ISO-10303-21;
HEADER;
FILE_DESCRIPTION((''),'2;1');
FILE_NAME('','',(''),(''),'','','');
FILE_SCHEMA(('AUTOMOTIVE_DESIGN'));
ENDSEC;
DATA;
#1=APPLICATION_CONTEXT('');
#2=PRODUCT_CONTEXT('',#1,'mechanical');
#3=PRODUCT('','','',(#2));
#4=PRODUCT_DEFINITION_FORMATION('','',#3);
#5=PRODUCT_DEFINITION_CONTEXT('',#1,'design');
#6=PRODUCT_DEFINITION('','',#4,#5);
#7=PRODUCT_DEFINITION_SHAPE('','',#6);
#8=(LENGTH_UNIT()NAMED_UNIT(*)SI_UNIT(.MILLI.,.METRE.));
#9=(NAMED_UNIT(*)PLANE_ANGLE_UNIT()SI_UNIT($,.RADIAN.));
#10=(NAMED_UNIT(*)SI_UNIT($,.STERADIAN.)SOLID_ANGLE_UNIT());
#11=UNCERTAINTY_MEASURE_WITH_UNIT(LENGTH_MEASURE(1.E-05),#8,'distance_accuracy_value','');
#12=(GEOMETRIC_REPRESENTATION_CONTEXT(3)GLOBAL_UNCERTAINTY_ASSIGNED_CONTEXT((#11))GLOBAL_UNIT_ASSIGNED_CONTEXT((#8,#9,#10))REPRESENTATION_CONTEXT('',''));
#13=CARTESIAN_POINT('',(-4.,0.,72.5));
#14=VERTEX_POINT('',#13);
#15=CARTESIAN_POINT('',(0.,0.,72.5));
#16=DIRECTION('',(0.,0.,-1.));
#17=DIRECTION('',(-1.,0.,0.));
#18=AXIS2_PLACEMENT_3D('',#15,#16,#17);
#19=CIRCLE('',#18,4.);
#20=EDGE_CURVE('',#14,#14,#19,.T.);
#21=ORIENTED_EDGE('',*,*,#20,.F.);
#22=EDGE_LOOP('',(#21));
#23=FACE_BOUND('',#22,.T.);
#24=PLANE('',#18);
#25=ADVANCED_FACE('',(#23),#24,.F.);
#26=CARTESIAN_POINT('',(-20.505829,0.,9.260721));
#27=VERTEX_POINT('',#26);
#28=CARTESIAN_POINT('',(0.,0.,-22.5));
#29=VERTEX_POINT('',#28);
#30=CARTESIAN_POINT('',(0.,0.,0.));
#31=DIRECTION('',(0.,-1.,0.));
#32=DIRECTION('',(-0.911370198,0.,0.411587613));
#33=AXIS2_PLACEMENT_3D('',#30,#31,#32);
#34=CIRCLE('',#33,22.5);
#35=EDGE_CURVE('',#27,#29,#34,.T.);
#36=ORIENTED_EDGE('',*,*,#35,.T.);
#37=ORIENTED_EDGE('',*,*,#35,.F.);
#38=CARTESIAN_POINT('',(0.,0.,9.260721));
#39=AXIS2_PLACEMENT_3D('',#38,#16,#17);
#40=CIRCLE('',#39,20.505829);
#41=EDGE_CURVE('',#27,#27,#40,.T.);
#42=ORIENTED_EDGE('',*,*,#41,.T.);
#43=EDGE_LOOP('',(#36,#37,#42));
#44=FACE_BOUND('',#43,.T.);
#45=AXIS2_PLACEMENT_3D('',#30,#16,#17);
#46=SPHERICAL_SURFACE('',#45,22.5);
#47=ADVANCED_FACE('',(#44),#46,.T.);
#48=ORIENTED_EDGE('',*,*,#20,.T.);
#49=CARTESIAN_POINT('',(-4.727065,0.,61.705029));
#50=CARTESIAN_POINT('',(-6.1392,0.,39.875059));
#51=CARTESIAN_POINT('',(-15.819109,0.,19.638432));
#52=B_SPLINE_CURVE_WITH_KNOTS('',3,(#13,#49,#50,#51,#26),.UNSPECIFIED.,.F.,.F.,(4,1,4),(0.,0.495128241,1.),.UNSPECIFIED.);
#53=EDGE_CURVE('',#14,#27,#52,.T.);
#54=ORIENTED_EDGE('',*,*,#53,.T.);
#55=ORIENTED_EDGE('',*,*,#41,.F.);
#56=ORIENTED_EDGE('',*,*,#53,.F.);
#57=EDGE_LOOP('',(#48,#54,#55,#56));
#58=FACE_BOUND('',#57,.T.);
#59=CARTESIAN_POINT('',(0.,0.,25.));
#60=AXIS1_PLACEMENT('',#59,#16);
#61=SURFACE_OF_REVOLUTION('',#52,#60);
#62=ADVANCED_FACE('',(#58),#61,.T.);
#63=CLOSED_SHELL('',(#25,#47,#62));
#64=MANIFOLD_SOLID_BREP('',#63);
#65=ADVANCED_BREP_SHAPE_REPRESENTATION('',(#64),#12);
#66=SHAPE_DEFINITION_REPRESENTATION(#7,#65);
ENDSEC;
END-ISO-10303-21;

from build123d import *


with BuildPart() as f1:
    # F0 (on Front) → F1 (revolve)
    with BuildSketch(Plane.XZ):
        with BuildLine():
            add(Edge.make_bspline(
                [(-4, 72.5), (-4.7270653534, 61.7050294605), (-6.1392004449, 39.8750592979), (-15.8191093442, 19.638431634), (-20.5058294478, 9.2607212817)],
                knots=[0, 0, 0, 0, 0.4951282406, 1, 1, 1, 1], degree=3))
            ThreePointArc((-20.5058294478, 9.2607212817), (-18.9025954413, -12.2041749242), (0, -22.5))
            Line((0, -22.5), (0, 72.5))
            Line((0, 72.5), (-4, 72.5))
        make_face()
    revolve(axis=Axis((0, 0, 25), (0, 0, -1)))


solid = f1.part
